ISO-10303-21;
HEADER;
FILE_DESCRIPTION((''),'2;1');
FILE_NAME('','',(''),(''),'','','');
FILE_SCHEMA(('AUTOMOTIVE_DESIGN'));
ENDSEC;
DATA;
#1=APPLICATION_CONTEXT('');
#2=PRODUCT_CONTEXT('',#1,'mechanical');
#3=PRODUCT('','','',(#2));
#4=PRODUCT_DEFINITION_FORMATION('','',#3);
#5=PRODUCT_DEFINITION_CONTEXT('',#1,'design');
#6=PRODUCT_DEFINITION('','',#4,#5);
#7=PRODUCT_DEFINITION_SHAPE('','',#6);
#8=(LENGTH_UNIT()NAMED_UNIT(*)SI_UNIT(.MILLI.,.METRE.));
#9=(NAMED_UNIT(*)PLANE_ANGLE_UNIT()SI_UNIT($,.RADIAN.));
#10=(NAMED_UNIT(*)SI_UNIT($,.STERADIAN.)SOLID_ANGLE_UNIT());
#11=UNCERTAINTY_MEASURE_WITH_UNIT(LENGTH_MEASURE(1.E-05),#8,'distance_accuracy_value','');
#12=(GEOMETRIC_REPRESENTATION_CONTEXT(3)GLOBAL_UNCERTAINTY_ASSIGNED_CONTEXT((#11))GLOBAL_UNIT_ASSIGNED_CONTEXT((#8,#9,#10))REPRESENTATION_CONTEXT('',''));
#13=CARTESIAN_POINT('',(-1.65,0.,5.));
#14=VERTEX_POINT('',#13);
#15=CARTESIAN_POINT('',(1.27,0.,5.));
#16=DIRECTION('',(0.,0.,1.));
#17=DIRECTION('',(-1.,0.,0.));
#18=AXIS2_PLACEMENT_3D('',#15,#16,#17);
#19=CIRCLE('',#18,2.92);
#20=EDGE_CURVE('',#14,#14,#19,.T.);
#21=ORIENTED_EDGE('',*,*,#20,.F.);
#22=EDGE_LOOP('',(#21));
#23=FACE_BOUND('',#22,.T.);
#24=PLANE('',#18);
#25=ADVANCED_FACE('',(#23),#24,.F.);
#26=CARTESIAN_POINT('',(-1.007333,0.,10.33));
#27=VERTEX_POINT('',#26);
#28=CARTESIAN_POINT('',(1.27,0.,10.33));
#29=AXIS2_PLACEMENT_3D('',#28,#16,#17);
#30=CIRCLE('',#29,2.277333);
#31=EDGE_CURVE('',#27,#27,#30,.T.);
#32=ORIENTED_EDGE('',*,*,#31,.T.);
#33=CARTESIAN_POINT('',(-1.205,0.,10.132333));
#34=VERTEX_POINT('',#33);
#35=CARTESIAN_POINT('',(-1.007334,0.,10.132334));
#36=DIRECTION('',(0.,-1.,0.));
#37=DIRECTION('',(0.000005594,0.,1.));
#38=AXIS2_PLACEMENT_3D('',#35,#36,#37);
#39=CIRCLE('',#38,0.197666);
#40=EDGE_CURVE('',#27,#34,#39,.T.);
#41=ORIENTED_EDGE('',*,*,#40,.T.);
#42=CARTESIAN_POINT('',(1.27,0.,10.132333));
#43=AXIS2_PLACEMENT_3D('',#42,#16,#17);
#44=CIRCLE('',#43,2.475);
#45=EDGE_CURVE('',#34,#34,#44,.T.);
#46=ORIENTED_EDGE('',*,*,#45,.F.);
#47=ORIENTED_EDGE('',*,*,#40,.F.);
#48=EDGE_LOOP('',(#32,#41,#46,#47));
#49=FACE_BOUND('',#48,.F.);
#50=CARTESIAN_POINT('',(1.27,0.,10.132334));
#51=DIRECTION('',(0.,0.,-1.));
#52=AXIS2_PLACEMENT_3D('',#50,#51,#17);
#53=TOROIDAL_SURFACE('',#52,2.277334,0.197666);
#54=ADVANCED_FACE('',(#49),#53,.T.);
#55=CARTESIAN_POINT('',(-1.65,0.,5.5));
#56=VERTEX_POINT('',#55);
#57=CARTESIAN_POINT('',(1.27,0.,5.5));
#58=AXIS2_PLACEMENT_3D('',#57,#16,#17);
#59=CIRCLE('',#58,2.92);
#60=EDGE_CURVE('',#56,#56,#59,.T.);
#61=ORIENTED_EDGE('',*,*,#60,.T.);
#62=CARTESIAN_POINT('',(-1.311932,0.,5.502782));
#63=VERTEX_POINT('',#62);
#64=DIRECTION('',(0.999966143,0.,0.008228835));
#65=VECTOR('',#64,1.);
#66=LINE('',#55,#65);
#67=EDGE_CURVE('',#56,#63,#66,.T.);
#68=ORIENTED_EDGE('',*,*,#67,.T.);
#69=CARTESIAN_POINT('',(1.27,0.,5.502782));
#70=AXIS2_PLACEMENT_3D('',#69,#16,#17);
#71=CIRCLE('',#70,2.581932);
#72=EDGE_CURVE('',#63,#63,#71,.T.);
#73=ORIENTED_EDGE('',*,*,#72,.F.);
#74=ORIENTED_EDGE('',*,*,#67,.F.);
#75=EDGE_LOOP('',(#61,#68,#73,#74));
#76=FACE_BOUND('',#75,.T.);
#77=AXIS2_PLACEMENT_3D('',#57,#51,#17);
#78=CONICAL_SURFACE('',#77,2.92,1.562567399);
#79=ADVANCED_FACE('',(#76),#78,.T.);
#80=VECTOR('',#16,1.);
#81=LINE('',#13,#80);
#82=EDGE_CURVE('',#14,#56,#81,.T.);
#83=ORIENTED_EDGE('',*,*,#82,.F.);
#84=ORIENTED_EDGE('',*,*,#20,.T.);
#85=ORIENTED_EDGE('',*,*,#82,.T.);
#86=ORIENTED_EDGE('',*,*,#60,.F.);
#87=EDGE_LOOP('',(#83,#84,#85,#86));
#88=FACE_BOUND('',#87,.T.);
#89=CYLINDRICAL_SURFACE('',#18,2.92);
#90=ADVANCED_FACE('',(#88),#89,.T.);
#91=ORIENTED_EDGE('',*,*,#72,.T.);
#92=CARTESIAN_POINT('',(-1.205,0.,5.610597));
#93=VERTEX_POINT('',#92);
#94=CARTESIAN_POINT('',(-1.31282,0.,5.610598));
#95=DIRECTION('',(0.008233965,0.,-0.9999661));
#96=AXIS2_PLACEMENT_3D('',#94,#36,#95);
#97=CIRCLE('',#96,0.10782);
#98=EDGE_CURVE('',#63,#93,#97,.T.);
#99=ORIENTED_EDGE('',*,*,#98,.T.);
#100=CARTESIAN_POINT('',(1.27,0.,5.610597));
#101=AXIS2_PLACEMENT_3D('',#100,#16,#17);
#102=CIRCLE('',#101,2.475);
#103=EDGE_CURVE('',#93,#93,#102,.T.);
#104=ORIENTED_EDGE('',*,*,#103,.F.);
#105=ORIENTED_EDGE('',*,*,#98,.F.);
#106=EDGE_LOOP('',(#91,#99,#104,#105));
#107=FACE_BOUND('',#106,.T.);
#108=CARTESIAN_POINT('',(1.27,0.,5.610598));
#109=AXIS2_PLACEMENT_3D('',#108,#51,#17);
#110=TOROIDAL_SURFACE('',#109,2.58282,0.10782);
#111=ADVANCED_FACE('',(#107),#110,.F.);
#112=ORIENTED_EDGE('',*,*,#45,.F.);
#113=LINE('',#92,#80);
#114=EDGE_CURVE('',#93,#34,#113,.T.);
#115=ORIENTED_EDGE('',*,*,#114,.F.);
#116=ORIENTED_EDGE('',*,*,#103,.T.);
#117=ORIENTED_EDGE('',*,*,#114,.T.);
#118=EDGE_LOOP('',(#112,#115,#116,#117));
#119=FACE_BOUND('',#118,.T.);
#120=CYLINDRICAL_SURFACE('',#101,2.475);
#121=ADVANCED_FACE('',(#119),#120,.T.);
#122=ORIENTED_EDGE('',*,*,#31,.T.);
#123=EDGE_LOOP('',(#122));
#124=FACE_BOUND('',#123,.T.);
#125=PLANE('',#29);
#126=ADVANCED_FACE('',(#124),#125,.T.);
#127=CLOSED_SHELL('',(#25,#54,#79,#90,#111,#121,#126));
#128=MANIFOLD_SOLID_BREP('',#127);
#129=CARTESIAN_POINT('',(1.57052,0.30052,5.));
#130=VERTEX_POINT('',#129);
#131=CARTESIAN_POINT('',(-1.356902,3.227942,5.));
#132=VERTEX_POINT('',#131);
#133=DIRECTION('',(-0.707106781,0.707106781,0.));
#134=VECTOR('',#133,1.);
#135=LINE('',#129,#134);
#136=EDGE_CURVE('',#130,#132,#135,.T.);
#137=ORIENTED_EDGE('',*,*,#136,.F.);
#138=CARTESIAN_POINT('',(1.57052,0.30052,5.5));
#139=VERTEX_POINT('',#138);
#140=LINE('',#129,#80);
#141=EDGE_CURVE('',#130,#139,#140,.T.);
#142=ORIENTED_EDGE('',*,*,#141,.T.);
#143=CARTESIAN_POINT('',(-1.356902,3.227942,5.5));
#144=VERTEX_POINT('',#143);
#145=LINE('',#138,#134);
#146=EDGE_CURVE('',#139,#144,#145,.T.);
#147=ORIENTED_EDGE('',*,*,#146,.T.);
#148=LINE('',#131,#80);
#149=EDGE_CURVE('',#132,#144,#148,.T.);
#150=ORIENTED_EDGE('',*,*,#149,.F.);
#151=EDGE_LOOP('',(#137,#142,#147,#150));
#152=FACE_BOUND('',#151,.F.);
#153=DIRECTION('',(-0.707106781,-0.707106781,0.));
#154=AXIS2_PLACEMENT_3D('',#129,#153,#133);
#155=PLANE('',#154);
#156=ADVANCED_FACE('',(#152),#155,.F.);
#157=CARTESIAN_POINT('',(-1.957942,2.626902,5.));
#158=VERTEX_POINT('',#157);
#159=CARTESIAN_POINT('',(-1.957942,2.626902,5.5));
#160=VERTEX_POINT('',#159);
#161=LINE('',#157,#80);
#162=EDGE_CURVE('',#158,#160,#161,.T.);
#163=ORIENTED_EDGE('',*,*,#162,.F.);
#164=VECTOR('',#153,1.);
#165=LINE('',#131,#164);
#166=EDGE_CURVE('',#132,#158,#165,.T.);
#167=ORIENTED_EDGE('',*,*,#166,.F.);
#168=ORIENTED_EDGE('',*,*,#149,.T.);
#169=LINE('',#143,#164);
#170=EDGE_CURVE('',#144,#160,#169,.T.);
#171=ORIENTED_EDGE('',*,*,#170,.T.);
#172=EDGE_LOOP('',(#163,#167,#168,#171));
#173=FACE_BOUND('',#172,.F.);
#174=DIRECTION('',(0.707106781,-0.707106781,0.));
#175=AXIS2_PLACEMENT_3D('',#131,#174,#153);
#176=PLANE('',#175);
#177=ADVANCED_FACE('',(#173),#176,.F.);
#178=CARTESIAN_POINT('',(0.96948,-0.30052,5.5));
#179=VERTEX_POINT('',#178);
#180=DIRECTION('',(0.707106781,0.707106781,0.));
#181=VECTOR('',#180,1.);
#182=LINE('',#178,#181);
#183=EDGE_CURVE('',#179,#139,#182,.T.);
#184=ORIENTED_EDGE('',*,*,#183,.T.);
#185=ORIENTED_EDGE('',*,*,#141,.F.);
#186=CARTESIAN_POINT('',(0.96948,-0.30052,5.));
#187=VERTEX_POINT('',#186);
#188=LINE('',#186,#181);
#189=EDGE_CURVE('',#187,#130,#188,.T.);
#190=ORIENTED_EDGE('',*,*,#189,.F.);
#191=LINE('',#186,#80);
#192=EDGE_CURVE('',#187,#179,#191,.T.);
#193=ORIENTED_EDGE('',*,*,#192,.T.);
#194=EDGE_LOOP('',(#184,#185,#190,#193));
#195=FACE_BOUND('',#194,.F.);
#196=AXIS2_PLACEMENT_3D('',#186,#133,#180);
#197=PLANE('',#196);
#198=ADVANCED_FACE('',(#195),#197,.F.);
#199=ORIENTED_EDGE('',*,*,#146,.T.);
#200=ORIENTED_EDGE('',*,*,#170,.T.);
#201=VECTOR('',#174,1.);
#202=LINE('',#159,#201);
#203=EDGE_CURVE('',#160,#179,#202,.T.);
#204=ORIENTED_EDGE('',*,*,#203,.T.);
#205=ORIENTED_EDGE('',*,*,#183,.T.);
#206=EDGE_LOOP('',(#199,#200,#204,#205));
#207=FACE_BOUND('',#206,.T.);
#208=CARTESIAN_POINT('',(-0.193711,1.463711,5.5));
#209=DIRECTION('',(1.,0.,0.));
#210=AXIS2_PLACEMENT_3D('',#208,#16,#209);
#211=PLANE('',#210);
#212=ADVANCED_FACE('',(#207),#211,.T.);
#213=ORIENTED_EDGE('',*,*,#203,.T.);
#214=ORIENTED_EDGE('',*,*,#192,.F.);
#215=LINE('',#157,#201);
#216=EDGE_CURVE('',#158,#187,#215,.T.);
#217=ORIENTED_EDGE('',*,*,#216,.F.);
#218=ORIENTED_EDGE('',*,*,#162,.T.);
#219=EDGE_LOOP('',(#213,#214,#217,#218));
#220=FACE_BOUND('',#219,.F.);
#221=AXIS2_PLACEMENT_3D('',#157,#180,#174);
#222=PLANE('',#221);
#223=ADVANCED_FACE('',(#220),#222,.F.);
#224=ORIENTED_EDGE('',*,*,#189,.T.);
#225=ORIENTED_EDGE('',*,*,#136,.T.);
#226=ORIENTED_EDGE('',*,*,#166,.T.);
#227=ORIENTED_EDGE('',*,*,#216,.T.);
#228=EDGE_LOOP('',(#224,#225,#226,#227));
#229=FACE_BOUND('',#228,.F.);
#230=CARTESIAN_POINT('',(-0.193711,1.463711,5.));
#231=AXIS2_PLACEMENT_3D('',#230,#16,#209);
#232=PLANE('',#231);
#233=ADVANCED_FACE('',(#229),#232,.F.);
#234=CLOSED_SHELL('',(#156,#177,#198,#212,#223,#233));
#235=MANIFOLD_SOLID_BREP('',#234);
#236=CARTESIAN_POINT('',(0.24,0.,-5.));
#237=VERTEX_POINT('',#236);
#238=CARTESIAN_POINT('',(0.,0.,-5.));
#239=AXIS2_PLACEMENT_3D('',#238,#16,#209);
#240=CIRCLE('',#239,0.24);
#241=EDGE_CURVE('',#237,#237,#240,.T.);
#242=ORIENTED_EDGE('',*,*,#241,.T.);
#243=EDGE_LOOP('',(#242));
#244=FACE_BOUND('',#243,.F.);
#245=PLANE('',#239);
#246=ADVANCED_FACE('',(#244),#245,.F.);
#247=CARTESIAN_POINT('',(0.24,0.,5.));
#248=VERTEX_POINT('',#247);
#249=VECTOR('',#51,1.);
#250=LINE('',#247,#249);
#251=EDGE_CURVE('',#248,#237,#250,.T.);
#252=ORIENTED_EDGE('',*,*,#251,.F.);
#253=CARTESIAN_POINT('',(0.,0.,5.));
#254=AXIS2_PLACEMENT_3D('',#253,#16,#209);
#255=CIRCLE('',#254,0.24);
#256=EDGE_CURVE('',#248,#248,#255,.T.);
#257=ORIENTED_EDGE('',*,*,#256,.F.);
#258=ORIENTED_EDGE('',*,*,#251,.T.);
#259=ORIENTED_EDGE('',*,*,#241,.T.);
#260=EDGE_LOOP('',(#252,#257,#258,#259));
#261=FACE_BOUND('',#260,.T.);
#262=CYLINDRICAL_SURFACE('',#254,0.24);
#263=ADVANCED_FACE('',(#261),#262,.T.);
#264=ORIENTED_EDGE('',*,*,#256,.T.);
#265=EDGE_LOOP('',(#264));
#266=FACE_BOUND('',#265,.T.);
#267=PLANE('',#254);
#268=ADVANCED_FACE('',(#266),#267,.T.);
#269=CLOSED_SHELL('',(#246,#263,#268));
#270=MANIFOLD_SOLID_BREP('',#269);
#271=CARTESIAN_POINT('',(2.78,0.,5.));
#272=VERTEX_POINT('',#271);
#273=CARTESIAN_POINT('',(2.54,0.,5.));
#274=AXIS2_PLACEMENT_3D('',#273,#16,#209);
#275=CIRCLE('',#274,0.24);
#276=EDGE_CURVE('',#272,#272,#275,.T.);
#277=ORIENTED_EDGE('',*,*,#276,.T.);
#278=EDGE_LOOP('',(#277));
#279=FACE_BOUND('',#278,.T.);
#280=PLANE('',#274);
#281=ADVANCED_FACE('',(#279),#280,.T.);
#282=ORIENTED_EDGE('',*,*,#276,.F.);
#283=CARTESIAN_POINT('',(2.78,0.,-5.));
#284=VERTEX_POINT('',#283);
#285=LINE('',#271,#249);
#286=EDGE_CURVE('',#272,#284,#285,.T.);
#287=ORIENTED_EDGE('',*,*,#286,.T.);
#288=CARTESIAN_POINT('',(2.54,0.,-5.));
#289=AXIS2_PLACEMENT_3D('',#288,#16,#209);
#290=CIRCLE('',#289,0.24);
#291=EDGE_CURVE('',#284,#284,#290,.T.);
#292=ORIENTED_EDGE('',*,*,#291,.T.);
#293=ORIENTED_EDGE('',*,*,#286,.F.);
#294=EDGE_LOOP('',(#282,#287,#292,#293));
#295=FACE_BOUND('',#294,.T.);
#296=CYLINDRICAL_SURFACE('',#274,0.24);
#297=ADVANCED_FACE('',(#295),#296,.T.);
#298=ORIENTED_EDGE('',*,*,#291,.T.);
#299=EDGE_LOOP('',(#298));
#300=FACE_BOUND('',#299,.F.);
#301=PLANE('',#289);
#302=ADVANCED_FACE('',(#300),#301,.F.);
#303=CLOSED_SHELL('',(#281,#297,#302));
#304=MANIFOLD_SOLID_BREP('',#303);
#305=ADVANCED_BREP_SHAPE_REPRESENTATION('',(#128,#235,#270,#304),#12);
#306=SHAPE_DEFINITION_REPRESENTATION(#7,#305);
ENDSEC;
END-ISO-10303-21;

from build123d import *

# Parameters (mm, degrees)
SKETCH_R     = 0.24
PAD_DEPTH    = 10
SKETCH001_R  = 0.24
PAD002_DEPTH = 10
PAD003_DEPTH = 0.5


with BuildPart() as pad:
    # Sketch → Pad (new body)
    with BuildSketch(Plane.XY.offset(5)):
        Circle(SKETCH_R)
    extrude(amount=-PAD_DEPTH)


with BuildPart() as pad002:
    # Sketch001 → Pad002 (new body)
    with BuildSketch(Plane.XY.offset(5)):
        with Locations((2.54, 0)):
            Circle(SKETCH001_R)
    extrude(amount=-PAD002_DEPTH)


with BuildPart() as revolution:
    # Sketch003 → Revolution (revolve)
    with BuildSketch(Plane.XZ):
        with BuildLine():
            Line((1.27, 5), (-1.65, 5))
            Line((-1.65, 5), (-1.65, 5.5))
            Line((-1.65, 5.5), (-1.311932, 5.502782))
            ThreePointArc((-1.311932, 5.502782), (-1.236267, 5.534672), (-1.205, 5.610597))
            Line((-1.205, 5.610597), (-1.205, 10.132333))
            ThreePointArc((-1.007333, 10.33), (-1.147105, 10.272105), (-1.205, 10.132333))
            Line((-1.007333, 10.33), (1.27, 10.33))
            Line((1.27, 10.33), (1.27, 5))
        make_face()
    revolve(axis=Axis((1.27, 0, 2.550668), (0, 0, 1)))


with BuildPart() as pad003:
    # Sketch004 → Pad003 (new body)
    with BuildSketch(Plane.XY.offset(5)):
        Polygon((1.57052, 0.30052), (-1.356902, 3.227942), (-1.957942, 2.626902), (0.96948, -0.30052), align=None)
    extrude(amount=PAD003_DEPTH)


solid = Compound([pad.part, pad002.part, revolution.part, pad003.part])
